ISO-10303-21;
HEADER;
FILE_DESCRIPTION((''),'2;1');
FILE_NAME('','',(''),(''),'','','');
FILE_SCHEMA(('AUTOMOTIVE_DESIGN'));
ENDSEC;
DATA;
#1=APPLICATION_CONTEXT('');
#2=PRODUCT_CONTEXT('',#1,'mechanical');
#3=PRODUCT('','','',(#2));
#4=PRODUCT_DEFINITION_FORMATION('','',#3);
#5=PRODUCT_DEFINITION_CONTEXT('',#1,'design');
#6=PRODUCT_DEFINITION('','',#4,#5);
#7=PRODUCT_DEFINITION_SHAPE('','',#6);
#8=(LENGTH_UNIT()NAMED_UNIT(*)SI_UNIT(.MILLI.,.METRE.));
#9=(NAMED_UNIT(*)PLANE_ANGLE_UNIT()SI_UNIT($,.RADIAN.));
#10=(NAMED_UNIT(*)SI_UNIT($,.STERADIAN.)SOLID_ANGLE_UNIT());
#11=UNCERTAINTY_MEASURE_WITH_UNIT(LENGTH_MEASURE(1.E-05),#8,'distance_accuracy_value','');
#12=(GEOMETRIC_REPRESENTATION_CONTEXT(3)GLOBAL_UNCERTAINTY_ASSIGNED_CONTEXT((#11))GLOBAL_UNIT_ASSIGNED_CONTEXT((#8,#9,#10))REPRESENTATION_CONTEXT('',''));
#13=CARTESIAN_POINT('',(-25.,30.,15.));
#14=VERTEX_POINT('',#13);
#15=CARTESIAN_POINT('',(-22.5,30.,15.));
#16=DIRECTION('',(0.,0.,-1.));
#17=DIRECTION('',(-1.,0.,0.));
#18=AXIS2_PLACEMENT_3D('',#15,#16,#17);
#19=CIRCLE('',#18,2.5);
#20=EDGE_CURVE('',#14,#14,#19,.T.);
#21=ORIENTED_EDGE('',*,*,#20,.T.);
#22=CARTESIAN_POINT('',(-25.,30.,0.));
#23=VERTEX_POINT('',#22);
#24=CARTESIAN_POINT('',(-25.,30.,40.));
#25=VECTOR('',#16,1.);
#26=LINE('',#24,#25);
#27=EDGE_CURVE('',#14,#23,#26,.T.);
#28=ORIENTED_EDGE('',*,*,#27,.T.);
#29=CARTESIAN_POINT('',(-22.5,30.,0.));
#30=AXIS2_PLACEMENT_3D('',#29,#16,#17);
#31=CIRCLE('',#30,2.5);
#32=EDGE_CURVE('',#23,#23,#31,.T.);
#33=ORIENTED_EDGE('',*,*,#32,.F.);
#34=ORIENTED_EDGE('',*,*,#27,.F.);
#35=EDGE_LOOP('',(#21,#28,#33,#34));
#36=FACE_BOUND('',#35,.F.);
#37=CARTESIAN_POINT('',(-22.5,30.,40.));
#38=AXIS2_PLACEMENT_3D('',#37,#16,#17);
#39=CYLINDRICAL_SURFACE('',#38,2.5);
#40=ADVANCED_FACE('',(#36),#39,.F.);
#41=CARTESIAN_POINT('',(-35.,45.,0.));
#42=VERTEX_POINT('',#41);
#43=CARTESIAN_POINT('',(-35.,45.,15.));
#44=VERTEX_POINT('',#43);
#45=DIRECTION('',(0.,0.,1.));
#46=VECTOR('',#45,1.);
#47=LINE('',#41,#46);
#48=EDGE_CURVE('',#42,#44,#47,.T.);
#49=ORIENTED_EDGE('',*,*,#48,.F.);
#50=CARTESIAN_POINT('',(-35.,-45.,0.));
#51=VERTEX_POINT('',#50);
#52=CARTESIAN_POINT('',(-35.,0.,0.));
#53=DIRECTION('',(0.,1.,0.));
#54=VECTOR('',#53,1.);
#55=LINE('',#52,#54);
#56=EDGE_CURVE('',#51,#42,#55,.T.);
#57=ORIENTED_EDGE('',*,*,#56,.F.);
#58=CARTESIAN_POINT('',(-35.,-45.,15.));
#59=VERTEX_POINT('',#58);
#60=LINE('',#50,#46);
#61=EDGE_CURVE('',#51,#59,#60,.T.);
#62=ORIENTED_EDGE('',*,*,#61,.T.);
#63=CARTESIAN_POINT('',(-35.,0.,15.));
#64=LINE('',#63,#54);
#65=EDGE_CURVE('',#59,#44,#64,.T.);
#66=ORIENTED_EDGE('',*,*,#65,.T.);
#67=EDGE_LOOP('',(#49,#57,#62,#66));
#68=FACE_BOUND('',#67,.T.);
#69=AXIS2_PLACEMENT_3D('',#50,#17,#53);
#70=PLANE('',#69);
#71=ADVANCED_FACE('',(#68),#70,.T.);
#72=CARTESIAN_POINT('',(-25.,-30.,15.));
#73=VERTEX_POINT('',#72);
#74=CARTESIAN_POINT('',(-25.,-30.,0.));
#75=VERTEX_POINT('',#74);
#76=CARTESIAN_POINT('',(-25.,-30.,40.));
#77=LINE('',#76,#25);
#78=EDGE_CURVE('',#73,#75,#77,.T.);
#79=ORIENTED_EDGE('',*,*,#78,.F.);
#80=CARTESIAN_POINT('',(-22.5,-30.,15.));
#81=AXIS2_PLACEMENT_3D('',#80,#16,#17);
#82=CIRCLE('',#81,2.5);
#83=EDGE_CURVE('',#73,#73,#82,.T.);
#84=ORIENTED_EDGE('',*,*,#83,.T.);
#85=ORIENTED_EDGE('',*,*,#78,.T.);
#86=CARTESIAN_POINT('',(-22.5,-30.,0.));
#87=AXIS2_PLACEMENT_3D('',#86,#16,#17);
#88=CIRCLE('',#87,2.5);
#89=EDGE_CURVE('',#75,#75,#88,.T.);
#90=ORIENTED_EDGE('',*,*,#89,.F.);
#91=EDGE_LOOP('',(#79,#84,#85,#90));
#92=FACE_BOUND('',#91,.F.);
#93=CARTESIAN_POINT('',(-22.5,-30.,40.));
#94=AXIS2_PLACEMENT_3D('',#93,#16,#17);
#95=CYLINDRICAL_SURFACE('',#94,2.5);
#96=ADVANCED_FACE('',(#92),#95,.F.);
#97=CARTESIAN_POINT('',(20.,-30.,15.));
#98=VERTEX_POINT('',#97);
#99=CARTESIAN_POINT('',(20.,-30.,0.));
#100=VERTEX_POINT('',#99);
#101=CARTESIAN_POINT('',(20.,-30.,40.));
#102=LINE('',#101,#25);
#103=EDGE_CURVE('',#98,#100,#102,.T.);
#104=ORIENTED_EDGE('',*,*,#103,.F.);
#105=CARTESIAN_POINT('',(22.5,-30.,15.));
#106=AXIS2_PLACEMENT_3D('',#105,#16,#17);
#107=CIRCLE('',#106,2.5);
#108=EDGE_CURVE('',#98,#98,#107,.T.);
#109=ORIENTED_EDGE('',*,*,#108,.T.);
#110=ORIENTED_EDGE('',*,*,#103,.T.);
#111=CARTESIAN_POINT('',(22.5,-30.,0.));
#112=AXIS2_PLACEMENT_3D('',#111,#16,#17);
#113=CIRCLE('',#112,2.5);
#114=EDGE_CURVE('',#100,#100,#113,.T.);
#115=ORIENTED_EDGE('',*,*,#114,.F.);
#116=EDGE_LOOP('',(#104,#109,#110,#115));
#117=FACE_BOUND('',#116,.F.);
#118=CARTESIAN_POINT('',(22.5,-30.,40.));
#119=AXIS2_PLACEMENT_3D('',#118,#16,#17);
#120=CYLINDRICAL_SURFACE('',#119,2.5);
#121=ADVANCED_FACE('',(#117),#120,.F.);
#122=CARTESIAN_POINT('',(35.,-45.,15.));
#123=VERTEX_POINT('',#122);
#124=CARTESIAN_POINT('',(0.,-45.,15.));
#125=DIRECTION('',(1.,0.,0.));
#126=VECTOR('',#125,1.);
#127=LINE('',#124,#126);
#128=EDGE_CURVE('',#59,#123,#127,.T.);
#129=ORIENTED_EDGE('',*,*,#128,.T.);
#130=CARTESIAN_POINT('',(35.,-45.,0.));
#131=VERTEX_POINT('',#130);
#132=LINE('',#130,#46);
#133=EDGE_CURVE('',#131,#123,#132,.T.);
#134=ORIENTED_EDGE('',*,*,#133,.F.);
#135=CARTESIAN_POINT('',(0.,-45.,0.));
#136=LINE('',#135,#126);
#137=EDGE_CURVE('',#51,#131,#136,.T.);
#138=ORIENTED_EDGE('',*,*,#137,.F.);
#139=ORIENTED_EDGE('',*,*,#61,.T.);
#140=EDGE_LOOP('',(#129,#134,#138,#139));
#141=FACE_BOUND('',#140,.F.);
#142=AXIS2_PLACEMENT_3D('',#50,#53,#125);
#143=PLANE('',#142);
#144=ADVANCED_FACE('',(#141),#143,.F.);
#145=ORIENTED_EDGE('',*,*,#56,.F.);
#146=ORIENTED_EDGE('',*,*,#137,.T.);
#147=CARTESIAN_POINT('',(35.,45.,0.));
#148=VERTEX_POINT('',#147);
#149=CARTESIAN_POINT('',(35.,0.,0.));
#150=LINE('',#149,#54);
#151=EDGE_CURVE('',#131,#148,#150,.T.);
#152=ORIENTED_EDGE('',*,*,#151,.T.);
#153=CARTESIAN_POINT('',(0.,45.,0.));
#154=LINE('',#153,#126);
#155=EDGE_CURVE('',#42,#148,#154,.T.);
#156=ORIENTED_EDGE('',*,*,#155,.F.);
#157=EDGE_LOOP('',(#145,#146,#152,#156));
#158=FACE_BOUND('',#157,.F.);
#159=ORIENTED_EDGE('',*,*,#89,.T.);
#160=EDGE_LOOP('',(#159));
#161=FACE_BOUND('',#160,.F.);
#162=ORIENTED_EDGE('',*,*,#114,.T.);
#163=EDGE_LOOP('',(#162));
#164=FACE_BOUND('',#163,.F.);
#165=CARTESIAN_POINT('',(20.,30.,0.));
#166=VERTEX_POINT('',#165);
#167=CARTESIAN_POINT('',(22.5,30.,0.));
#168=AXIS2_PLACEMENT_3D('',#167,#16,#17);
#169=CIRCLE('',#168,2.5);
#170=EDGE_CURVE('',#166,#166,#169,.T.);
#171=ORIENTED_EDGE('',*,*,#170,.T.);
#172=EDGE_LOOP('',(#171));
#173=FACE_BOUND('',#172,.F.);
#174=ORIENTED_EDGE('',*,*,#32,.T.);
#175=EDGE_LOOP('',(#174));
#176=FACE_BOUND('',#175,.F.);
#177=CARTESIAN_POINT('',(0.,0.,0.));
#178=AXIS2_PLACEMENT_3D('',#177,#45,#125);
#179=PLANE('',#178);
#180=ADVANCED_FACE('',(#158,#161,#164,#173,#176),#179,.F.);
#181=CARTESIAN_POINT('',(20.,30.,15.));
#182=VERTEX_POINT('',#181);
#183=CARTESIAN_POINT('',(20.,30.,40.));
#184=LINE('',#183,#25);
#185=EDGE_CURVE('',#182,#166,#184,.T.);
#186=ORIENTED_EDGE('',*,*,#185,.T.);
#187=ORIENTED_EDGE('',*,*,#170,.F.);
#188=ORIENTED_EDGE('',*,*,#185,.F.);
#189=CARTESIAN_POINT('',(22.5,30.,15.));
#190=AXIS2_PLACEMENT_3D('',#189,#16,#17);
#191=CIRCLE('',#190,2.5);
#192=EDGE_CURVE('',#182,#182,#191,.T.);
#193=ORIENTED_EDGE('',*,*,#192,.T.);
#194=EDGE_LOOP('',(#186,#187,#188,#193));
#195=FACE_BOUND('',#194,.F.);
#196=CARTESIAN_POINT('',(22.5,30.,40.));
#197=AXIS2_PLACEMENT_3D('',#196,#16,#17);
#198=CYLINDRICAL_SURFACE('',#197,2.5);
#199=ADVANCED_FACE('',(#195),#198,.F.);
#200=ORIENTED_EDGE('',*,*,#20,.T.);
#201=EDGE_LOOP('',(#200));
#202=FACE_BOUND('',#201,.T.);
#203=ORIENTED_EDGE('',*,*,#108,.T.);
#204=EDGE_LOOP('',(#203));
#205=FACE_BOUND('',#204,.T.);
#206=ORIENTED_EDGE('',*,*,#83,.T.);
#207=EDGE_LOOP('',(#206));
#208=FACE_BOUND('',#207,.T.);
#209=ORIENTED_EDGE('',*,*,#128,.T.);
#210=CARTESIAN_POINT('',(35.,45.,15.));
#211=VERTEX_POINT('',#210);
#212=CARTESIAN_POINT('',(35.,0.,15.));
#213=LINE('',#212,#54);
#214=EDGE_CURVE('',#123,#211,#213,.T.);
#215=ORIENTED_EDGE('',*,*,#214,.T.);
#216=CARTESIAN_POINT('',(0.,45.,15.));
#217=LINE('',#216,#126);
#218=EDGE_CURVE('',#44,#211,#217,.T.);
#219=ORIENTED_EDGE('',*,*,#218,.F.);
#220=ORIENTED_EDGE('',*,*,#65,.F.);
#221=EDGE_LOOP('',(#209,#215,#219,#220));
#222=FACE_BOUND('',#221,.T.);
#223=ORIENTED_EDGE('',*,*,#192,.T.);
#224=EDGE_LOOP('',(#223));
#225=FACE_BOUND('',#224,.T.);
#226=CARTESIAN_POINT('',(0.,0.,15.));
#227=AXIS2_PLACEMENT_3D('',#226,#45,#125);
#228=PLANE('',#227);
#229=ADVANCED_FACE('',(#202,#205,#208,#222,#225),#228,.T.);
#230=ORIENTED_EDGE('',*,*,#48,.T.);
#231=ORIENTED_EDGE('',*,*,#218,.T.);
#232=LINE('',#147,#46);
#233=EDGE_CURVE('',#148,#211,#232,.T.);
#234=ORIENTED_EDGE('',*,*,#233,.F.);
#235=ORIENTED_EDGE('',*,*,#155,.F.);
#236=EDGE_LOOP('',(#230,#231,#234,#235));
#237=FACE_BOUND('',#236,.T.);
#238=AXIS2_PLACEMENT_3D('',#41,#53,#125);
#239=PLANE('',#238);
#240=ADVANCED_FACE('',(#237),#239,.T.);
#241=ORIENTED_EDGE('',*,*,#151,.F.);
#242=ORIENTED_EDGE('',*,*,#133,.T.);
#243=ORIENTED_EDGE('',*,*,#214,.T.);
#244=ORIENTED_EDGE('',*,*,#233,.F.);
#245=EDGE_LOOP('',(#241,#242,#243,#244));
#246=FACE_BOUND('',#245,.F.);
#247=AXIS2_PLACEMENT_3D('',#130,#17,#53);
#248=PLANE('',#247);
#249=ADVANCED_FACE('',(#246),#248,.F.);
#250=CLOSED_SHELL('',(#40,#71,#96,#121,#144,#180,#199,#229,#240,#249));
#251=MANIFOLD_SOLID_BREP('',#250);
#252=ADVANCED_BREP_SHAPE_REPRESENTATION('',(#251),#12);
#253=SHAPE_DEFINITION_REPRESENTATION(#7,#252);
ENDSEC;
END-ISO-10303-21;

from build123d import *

# Parameters (mm, degrees)
F0_W     = 70
F0_H     = 90
F1_DEPTH = 15
F3_D     = 5
F3_DEPTH = 25


with BuildPart() as f1:
    # F0 (on Top) → F1 (new body)
    with BuildSketch(Plane.XY):
        Rectangle(F0_W, F0_H)
    extrude(amount=F1_DEPTH)

    # F3
    with Locations(Plane.XY.offset(15)):
        with Locations((-22.5, -30), (22.5, -30), (22.5, 30), (-22.5, 30)):
            Hole(F3_D / 2, depth=F3_DEPTH)


solid = f1.part
